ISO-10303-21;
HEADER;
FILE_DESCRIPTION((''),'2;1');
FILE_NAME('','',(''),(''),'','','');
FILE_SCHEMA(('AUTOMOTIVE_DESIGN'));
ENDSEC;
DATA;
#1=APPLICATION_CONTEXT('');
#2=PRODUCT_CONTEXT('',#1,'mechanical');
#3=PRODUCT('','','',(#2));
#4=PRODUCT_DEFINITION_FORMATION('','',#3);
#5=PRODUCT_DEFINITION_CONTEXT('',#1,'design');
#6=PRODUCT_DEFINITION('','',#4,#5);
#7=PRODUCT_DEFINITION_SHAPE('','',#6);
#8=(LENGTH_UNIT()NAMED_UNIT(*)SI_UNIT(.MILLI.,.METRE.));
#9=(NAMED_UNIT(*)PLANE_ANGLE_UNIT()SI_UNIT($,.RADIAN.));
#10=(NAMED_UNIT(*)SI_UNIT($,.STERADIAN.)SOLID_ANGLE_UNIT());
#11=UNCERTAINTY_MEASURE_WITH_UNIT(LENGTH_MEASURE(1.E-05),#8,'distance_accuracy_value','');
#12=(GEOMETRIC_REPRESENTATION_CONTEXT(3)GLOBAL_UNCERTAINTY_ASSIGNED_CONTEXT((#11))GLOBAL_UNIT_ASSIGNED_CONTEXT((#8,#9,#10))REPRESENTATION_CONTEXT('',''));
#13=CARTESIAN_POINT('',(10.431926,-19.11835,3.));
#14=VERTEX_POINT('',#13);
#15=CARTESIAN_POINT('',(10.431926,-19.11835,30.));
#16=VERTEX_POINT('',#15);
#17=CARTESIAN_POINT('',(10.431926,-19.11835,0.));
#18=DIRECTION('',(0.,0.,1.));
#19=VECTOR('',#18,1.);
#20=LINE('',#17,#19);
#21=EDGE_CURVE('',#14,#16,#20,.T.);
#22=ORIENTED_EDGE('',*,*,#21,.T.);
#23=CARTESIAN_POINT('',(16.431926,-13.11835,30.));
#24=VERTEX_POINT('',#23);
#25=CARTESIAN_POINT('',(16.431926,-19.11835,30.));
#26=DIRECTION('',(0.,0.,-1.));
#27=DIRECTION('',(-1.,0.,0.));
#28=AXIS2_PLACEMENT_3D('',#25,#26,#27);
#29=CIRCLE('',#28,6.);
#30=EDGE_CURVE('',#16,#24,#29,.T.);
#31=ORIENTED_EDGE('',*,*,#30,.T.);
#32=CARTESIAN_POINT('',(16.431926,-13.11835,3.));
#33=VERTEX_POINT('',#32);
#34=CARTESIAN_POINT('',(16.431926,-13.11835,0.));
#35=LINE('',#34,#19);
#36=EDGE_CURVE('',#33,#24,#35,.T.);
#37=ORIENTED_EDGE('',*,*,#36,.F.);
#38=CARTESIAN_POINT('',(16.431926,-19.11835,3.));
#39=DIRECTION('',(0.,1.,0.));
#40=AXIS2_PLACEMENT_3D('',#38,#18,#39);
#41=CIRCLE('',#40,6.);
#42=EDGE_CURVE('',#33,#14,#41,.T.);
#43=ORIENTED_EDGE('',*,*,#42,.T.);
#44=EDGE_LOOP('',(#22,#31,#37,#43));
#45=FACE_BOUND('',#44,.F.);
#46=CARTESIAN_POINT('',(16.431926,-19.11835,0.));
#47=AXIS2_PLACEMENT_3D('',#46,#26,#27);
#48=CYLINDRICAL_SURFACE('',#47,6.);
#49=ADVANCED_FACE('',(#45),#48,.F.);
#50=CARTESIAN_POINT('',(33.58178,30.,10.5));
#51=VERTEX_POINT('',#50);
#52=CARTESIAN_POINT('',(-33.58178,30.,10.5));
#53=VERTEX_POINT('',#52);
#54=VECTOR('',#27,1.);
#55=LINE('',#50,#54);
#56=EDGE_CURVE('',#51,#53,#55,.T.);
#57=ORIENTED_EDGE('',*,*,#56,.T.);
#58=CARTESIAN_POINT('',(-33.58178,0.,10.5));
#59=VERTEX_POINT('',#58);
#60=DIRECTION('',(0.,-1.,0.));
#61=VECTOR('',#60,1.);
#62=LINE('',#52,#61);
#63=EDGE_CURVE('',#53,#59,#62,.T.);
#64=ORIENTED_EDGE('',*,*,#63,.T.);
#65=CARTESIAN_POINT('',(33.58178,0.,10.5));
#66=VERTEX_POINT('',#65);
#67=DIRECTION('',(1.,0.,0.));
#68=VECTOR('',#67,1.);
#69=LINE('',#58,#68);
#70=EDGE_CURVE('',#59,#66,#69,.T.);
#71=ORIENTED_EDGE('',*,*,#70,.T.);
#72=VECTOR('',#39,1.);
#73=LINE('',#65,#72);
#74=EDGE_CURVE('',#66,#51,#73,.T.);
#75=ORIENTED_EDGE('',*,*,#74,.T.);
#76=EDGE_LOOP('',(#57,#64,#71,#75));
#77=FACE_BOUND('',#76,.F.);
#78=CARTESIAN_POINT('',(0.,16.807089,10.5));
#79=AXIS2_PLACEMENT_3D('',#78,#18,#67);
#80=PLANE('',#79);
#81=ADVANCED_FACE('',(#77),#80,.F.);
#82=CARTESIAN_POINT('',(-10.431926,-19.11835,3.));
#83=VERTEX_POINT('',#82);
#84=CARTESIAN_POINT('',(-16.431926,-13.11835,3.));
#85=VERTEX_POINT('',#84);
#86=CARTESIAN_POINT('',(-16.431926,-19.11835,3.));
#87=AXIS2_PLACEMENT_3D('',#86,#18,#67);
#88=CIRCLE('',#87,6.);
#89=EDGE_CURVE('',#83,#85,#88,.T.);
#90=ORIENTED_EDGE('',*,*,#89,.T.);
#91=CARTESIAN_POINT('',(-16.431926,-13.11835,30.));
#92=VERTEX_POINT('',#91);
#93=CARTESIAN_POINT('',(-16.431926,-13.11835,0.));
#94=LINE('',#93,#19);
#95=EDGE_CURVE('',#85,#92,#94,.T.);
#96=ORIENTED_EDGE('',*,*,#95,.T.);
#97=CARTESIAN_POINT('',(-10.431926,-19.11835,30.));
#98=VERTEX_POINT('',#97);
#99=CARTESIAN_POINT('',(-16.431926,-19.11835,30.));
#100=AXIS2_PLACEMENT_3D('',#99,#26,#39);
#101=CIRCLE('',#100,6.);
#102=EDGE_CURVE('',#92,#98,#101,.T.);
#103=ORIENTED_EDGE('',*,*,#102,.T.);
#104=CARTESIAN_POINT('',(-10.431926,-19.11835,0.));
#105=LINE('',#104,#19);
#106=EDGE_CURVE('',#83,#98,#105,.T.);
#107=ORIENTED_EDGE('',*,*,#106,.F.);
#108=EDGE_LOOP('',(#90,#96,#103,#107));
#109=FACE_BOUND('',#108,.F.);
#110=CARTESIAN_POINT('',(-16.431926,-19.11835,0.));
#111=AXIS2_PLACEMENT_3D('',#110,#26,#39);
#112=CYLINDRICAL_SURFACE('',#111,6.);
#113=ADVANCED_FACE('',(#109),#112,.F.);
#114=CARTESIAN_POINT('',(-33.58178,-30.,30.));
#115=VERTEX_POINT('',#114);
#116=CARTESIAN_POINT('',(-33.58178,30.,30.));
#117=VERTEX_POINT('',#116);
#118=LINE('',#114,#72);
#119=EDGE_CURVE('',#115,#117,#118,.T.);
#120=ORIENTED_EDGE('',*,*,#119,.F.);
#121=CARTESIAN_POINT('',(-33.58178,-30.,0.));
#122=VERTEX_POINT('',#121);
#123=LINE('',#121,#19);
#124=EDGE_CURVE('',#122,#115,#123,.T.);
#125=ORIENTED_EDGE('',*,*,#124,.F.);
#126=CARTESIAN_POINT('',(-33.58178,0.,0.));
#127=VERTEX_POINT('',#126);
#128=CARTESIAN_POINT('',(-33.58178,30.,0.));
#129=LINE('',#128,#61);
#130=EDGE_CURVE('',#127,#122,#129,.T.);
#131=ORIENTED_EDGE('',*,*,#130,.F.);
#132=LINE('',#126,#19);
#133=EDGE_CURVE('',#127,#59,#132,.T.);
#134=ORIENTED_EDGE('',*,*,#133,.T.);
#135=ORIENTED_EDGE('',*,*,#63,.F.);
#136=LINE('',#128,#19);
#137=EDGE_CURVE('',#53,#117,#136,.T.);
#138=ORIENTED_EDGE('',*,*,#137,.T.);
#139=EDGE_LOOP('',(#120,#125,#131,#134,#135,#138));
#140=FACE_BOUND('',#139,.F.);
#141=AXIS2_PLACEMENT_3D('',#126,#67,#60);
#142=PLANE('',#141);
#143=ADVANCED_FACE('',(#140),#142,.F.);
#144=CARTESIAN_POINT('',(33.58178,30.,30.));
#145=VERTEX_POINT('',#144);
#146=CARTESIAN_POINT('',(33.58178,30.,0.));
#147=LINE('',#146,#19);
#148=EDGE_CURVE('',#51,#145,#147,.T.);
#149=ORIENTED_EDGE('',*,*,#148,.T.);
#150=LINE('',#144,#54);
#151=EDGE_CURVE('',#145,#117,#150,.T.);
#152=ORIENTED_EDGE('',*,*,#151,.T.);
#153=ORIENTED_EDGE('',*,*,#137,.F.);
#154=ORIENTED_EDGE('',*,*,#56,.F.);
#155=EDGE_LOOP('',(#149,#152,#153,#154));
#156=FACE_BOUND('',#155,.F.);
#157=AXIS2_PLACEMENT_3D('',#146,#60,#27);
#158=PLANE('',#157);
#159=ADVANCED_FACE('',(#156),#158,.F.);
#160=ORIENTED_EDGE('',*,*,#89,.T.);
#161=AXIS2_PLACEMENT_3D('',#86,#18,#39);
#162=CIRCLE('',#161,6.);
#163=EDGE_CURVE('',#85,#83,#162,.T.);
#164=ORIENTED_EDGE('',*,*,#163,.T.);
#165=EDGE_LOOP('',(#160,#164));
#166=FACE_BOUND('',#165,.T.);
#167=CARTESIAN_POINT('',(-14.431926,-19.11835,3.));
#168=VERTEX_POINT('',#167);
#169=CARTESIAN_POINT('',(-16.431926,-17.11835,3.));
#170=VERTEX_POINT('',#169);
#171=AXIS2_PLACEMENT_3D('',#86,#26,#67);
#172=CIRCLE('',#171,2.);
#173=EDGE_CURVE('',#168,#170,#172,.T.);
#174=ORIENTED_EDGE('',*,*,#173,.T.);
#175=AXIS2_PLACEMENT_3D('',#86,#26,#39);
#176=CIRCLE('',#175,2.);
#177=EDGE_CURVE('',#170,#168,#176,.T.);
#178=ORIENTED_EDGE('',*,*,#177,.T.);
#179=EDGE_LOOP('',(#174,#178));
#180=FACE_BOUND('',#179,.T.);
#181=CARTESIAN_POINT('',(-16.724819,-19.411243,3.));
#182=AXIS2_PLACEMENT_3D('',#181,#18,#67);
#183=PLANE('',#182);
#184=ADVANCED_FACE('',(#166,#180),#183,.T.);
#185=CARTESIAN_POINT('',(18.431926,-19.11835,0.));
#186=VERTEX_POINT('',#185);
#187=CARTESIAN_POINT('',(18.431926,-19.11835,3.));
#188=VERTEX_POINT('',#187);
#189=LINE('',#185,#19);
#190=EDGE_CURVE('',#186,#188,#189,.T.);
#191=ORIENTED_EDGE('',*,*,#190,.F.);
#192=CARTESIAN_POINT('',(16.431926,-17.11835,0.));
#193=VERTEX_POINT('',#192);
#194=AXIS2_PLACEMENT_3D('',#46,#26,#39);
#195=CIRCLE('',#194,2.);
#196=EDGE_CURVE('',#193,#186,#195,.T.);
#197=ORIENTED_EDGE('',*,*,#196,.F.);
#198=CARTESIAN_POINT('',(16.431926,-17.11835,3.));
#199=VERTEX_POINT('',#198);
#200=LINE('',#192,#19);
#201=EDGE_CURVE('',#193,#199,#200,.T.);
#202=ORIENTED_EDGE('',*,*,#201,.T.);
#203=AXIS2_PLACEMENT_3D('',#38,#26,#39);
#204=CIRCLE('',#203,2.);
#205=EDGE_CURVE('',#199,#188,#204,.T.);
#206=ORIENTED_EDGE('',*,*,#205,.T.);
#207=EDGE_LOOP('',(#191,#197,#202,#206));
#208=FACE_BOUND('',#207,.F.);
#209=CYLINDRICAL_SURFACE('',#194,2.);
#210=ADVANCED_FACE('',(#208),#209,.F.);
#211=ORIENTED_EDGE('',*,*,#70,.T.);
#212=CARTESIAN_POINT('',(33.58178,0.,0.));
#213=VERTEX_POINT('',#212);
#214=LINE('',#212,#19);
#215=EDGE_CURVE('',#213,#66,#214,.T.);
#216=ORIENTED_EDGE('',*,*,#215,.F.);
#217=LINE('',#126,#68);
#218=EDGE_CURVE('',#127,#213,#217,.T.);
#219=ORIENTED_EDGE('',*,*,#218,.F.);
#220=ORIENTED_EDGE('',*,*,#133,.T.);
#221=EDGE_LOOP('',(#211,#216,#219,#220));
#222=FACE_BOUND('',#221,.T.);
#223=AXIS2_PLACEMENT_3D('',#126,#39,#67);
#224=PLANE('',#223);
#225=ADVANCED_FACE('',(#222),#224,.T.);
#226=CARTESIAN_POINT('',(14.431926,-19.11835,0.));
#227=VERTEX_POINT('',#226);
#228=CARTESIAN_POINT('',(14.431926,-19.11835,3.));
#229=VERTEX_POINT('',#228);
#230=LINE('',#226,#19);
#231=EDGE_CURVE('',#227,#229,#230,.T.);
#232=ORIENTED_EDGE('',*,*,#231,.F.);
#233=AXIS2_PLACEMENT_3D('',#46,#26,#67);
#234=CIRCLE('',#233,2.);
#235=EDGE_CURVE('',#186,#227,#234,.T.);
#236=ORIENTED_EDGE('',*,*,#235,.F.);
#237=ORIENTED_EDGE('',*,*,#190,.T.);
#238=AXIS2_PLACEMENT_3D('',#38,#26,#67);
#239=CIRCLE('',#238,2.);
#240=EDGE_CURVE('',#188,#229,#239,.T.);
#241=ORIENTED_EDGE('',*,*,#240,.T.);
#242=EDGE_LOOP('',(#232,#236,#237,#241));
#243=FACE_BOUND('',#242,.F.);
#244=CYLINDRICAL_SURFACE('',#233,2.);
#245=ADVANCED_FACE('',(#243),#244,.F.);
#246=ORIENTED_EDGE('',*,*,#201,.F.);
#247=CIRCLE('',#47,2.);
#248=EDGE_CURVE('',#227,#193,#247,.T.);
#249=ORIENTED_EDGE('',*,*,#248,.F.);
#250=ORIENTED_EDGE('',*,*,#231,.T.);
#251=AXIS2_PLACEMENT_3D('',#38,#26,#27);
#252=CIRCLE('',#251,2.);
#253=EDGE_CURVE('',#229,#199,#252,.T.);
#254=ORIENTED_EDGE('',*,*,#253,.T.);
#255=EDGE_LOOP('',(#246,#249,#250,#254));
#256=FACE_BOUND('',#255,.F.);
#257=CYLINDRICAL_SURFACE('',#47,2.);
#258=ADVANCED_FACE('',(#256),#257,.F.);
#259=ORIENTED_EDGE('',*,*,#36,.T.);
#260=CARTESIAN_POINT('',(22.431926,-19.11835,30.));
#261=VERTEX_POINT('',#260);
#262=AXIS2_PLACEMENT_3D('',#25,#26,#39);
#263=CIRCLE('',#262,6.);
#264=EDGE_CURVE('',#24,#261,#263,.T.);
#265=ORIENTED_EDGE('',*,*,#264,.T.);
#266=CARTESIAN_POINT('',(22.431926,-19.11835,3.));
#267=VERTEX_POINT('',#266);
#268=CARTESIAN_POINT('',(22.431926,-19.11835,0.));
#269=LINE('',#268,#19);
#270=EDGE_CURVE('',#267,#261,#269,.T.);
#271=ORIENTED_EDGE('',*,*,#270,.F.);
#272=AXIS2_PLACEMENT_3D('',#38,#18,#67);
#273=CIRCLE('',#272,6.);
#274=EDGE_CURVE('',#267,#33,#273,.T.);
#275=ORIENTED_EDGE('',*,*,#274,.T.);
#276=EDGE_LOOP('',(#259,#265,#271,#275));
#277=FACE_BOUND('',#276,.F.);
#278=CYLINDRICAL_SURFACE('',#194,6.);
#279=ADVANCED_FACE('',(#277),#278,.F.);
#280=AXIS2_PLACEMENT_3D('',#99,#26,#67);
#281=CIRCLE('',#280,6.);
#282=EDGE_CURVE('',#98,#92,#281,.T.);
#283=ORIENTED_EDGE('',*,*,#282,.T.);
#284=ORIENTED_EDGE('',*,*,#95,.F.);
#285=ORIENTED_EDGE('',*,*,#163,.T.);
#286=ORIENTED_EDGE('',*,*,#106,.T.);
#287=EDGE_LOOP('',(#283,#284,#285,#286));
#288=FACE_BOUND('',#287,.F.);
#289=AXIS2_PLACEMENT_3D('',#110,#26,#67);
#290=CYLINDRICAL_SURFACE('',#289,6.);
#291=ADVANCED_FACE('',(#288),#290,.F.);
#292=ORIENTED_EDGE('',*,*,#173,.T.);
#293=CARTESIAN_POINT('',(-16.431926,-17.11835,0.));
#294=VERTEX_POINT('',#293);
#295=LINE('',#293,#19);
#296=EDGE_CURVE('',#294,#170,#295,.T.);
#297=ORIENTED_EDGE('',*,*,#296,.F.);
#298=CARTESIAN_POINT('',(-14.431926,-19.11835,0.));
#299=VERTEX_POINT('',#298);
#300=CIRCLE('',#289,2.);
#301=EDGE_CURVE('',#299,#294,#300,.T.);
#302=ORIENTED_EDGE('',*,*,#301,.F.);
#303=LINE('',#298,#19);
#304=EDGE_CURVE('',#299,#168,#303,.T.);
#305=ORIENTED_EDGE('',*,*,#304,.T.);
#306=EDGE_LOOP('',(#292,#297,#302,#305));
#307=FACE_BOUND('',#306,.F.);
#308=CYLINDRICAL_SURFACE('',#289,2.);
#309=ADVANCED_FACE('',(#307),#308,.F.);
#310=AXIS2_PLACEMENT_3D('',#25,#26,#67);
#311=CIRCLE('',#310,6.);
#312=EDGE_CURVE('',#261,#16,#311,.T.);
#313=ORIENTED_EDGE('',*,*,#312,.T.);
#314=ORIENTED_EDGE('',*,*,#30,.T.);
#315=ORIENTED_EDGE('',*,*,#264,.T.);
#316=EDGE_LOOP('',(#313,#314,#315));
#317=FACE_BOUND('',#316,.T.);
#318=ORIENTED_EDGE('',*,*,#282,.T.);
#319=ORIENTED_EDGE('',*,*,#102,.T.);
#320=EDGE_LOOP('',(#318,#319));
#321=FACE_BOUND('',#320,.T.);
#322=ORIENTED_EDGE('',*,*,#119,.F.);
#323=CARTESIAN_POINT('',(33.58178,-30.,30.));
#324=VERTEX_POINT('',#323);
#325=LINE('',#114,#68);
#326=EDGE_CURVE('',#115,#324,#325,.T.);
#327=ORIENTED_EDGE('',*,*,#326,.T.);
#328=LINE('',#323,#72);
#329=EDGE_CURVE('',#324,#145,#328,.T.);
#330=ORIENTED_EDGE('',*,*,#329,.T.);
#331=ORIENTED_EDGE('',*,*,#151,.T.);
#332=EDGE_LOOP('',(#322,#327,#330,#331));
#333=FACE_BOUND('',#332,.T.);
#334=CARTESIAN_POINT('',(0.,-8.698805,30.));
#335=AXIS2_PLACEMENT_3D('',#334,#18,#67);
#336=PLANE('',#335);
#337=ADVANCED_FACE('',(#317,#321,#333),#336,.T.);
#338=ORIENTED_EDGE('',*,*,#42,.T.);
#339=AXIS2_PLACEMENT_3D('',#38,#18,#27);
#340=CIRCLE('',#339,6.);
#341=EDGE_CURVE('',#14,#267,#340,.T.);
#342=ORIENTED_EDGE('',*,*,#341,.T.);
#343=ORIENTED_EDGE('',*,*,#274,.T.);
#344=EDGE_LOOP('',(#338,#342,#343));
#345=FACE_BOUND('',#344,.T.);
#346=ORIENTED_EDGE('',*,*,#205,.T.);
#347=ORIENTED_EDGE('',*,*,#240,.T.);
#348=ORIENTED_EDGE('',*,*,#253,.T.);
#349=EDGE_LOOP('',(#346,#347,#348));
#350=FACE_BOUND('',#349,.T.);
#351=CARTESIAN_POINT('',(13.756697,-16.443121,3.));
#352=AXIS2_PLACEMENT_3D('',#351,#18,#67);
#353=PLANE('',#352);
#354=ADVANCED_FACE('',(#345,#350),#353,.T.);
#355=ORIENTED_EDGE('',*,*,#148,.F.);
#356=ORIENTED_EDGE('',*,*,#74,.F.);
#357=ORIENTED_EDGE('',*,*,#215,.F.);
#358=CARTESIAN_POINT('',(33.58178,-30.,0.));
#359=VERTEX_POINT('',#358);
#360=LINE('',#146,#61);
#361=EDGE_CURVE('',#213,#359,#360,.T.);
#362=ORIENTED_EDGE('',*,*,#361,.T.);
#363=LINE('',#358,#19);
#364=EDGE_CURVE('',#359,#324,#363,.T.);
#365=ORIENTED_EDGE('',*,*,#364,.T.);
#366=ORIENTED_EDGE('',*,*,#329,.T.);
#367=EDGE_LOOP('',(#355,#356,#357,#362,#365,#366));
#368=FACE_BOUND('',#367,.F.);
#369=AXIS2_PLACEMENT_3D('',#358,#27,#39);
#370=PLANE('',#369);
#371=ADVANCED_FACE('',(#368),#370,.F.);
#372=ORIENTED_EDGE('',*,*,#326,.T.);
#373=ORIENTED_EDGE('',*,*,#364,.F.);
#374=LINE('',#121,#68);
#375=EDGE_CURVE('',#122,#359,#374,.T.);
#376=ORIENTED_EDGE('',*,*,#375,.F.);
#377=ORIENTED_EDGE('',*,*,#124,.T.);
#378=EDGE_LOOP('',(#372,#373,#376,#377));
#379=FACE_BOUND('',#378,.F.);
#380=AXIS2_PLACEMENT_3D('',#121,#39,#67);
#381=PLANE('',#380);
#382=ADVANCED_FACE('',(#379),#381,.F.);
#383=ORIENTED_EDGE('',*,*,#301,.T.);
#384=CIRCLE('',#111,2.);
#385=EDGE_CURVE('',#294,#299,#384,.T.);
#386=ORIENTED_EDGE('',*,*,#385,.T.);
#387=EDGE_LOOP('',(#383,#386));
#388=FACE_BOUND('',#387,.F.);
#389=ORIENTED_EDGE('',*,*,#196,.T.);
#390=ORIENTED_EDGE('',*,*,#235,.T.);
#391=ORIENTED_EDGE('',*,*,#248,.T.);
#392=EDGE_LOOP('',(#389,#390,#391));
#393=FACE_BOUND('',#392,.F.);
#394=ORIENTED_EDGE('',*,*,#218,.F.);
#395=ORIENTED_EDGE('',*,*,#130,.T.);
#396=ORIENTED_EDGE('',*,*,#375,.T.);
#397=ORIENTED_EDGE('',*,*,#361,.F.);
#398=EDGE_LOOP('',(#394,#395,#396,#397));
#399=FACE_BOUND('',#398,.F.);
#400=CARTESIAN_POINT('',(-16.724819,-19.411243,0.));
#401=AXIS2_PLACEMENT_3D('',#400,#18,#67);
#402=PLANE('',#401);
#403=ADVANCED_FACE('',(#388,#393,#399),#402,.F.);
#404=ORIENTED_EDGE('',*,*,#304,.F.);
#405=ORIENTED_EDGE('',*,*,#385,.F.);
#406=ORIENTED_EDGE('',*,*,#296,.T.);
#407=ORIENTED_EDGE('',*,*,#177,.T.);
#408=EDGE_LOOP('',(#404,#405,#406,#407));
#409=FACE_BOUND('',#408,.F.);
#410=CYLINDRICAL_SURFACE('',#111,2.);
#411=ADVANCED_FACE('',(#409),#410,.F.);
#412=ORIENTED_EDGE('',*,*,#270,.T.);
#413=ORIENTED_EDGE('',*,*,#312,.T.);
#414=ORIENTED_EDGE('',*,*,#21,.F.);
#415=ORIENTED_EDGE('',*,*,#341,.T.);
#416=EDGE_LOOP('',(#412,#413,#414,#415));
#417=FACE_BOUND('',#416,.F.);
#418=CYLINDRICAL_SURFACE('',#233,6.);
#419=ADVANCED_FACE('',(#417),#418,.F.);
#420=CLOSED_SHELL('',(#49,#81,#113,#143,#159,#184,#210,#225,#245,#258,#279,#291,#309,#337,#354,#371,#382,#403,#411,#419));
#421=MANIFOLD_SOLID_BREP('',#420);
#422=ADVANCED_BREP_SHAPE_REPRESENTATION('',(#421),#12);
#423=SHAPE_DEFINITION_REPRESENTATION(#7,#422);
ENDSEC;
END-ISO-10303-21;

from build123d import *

# Parameters (mm, degrees)
F0_W     = 32.8638516366
F0_H     = 19.1183499992
F1_DEPTH = 30
F2_DEPTH = 30
F3_DEPTH = 3
F4_DEPTH = 10.5


with BuildPart() as f1:
    # F0 (on Top) → F1 (new body)
    with BuildSketch(Plane.XY):
        Polygon((33.5817799435, 0), (33.5817799435, 30), (-33.5817799435, 30), (-33.5817799435, 0), (-16.4319258183, 0), (-16.4319258183, 19.1183499992), (16.4319258183, 19.1183499992), (16.4319258183, 0), align=None)
        with Locations((0, 9.5591749996)):
            Rectangle(F0_W, F0_H)
    extrude(amount=F1_DEPTH)

    # F0 (on Top) → F2 (join)
    with BuildSketch(Plane.XY):
        with BuildLine():
            Line((16.4319258183, -13.1183499992), (16.4319258183, 0))
            Line((16.4319258183, 0), (-16.4319258183, 0))
            Line((-16.4319258183, 0), (-16.4319258183, -13.1183499992))
            ThreePointArc((-16.4319258183, -13.1183499992), (-12.1892851312, -14.8757093121), (-10.4319258183, -19.1183499992))
            Line((-10.4319258183, -19.1183499992), (10.4319258183, -19.1183499992))
            ThreePointArc((10.4319258183, -19.1183499992), (12.1892851312, -14.8757093121), (16.4319258183, -13.1183499992))
        make_face()
        with BuildLine():
            Line((33.5817799435, -30), (33.5817799435, 0))
            Line((33.5817799435, 0), (16.4319258183, 0))
            Line((16.4319258183, 0), (16.4319258183, -13.1183499992))
            ThreePointArc((16.4319258183, -13.1183499992), (20.6745665054, -14.8757093121), (22.4319258183, -19.1183499992))
            ThreePointArc((22.4319258183, -19.1183499992), (16.4319258183, -25.1183499992), (10.4319258183, -19.1183499992))
            Line((10.4319258183, -19.1183499992), (-10.4319258183, -19.1183499992))
            ThreePointArc((-10.4319258183, -19.1183499992), (-20.6745665054, -23.3609906863), (-16.4319258183, -13.1183499992))
            Line((-16.4319258183, -13.1183499992), (-16.4319258183, 0))
            Line((-16.4319258183, 0), (-33.5817799435, 0))
            Line((-33.5817799435, 0), (-33.5817799435, -30))
            Line((-33.5817799435, -30), (33.5817799435, -30))
        make_face()
    extrude(amount=F2_DEPTH)

    # F0 (on Top) → F3 (join)
    with BuildSketch(Plane.XY):
        with BuildLine():
            Line((-16.4319258183, -17.1183499992), (-16.4319258183, -13.1183499992))
            ThreePointArc((-16.4319258183, -13.1183499992), (-20.6745665054, -23.3609906863), (-10.4319258183, -19.1183499992))
            Line((-10.4319258183, -19.1183499992), (-14.4319258183, -19.1183499992))
            ThreePointArc((-14.4319258183, -19.1183499992), (-17.8461393807, -20.5325635616), (-16.4319258183, -17.1183499992))
        make_face()
        with BuildLine():
            ThreePointArc((-10.4319258183, -19.1183499992), (-12.1892851312, -14.8757093121), (-16.4319258183, -13.1183499992))
            Line((-16.4319258183, -13.1183499992), (-16.4319258183, -17.1183499992))
            ThreePointArc((-16.4319258183, -17.1183499992), (-15.017712256, -17.7041364368), (-14.4319258183, -19.1183499992))
            Line((-14.4319258183, -19.1183499992), (-10.4319258183, -19.1183499992))
        make_face()
        with BuildLine():
            Line((16.4319258183, -17.1183499992), (16.4319258183, -13.1183499992))
            ThreePointArc((16.4319258183, -13.1183499992), (12.1892851312, -14.8757093121), (10.4319258183, -19.1183499992))
            Line((10.4319258183, -19.1183499992), (14.4319258183, -19.1183499992))
            ThreePointArc((14.4319258183, -19.1183499992), (15.017712256, -17.7041364368), (16.4319258183, -17.1183499992))
        make_face()
        with BuildLine():
            ThreePointArc((22.4319258183, -19.1183499992), (20.6745665054, -14.8757093121), (16.4319258183, -13.1183499992))
            Line((16.4319258183, -13.1183499992), (16.4319258183, -17.1183499992))
            ThreePointArc((16.4319258183, -17.1183499992), (17.8461393807, -17.7041364368), (18.4319258183, -19.1183499992))
            ThreePointArc((18.4319258183, -19.1183499992), (16.4319258183, -21.1183499992), (14.4319258183, -19.1183499992))
            Line((14.4319258183, -19.1183499992), (10.4319258183, -19.1183499992))
            ThreePointArc((10.4319258183, -19.1183499992), (16.4319258183, -25.1183499992), (22.4319258183, -19.1183499992))
        make_face()
    extrude(amount=F3_DEPTH)

    # F0 (on Top) → F4 (cut)
    with BuildSketch(Plane.XY):
        Polygon((33.5817799435, 0), (33.5817799435, 30), (-33.5817799435, 30), (-33.5817799435, 0), (-16.4319258183, 0), (-16.4319258183, 19.1183499992), (16.4319258183, 19.1183499992), (16.4319258183, 0), align=None)
        with Locations((0, 9.5591749996)):
            Rectangle(F0_W, F0_H)
    extrude(amount=F4_DEPTH, mode=Mode.SUBTRACT)


solid = f1.part
